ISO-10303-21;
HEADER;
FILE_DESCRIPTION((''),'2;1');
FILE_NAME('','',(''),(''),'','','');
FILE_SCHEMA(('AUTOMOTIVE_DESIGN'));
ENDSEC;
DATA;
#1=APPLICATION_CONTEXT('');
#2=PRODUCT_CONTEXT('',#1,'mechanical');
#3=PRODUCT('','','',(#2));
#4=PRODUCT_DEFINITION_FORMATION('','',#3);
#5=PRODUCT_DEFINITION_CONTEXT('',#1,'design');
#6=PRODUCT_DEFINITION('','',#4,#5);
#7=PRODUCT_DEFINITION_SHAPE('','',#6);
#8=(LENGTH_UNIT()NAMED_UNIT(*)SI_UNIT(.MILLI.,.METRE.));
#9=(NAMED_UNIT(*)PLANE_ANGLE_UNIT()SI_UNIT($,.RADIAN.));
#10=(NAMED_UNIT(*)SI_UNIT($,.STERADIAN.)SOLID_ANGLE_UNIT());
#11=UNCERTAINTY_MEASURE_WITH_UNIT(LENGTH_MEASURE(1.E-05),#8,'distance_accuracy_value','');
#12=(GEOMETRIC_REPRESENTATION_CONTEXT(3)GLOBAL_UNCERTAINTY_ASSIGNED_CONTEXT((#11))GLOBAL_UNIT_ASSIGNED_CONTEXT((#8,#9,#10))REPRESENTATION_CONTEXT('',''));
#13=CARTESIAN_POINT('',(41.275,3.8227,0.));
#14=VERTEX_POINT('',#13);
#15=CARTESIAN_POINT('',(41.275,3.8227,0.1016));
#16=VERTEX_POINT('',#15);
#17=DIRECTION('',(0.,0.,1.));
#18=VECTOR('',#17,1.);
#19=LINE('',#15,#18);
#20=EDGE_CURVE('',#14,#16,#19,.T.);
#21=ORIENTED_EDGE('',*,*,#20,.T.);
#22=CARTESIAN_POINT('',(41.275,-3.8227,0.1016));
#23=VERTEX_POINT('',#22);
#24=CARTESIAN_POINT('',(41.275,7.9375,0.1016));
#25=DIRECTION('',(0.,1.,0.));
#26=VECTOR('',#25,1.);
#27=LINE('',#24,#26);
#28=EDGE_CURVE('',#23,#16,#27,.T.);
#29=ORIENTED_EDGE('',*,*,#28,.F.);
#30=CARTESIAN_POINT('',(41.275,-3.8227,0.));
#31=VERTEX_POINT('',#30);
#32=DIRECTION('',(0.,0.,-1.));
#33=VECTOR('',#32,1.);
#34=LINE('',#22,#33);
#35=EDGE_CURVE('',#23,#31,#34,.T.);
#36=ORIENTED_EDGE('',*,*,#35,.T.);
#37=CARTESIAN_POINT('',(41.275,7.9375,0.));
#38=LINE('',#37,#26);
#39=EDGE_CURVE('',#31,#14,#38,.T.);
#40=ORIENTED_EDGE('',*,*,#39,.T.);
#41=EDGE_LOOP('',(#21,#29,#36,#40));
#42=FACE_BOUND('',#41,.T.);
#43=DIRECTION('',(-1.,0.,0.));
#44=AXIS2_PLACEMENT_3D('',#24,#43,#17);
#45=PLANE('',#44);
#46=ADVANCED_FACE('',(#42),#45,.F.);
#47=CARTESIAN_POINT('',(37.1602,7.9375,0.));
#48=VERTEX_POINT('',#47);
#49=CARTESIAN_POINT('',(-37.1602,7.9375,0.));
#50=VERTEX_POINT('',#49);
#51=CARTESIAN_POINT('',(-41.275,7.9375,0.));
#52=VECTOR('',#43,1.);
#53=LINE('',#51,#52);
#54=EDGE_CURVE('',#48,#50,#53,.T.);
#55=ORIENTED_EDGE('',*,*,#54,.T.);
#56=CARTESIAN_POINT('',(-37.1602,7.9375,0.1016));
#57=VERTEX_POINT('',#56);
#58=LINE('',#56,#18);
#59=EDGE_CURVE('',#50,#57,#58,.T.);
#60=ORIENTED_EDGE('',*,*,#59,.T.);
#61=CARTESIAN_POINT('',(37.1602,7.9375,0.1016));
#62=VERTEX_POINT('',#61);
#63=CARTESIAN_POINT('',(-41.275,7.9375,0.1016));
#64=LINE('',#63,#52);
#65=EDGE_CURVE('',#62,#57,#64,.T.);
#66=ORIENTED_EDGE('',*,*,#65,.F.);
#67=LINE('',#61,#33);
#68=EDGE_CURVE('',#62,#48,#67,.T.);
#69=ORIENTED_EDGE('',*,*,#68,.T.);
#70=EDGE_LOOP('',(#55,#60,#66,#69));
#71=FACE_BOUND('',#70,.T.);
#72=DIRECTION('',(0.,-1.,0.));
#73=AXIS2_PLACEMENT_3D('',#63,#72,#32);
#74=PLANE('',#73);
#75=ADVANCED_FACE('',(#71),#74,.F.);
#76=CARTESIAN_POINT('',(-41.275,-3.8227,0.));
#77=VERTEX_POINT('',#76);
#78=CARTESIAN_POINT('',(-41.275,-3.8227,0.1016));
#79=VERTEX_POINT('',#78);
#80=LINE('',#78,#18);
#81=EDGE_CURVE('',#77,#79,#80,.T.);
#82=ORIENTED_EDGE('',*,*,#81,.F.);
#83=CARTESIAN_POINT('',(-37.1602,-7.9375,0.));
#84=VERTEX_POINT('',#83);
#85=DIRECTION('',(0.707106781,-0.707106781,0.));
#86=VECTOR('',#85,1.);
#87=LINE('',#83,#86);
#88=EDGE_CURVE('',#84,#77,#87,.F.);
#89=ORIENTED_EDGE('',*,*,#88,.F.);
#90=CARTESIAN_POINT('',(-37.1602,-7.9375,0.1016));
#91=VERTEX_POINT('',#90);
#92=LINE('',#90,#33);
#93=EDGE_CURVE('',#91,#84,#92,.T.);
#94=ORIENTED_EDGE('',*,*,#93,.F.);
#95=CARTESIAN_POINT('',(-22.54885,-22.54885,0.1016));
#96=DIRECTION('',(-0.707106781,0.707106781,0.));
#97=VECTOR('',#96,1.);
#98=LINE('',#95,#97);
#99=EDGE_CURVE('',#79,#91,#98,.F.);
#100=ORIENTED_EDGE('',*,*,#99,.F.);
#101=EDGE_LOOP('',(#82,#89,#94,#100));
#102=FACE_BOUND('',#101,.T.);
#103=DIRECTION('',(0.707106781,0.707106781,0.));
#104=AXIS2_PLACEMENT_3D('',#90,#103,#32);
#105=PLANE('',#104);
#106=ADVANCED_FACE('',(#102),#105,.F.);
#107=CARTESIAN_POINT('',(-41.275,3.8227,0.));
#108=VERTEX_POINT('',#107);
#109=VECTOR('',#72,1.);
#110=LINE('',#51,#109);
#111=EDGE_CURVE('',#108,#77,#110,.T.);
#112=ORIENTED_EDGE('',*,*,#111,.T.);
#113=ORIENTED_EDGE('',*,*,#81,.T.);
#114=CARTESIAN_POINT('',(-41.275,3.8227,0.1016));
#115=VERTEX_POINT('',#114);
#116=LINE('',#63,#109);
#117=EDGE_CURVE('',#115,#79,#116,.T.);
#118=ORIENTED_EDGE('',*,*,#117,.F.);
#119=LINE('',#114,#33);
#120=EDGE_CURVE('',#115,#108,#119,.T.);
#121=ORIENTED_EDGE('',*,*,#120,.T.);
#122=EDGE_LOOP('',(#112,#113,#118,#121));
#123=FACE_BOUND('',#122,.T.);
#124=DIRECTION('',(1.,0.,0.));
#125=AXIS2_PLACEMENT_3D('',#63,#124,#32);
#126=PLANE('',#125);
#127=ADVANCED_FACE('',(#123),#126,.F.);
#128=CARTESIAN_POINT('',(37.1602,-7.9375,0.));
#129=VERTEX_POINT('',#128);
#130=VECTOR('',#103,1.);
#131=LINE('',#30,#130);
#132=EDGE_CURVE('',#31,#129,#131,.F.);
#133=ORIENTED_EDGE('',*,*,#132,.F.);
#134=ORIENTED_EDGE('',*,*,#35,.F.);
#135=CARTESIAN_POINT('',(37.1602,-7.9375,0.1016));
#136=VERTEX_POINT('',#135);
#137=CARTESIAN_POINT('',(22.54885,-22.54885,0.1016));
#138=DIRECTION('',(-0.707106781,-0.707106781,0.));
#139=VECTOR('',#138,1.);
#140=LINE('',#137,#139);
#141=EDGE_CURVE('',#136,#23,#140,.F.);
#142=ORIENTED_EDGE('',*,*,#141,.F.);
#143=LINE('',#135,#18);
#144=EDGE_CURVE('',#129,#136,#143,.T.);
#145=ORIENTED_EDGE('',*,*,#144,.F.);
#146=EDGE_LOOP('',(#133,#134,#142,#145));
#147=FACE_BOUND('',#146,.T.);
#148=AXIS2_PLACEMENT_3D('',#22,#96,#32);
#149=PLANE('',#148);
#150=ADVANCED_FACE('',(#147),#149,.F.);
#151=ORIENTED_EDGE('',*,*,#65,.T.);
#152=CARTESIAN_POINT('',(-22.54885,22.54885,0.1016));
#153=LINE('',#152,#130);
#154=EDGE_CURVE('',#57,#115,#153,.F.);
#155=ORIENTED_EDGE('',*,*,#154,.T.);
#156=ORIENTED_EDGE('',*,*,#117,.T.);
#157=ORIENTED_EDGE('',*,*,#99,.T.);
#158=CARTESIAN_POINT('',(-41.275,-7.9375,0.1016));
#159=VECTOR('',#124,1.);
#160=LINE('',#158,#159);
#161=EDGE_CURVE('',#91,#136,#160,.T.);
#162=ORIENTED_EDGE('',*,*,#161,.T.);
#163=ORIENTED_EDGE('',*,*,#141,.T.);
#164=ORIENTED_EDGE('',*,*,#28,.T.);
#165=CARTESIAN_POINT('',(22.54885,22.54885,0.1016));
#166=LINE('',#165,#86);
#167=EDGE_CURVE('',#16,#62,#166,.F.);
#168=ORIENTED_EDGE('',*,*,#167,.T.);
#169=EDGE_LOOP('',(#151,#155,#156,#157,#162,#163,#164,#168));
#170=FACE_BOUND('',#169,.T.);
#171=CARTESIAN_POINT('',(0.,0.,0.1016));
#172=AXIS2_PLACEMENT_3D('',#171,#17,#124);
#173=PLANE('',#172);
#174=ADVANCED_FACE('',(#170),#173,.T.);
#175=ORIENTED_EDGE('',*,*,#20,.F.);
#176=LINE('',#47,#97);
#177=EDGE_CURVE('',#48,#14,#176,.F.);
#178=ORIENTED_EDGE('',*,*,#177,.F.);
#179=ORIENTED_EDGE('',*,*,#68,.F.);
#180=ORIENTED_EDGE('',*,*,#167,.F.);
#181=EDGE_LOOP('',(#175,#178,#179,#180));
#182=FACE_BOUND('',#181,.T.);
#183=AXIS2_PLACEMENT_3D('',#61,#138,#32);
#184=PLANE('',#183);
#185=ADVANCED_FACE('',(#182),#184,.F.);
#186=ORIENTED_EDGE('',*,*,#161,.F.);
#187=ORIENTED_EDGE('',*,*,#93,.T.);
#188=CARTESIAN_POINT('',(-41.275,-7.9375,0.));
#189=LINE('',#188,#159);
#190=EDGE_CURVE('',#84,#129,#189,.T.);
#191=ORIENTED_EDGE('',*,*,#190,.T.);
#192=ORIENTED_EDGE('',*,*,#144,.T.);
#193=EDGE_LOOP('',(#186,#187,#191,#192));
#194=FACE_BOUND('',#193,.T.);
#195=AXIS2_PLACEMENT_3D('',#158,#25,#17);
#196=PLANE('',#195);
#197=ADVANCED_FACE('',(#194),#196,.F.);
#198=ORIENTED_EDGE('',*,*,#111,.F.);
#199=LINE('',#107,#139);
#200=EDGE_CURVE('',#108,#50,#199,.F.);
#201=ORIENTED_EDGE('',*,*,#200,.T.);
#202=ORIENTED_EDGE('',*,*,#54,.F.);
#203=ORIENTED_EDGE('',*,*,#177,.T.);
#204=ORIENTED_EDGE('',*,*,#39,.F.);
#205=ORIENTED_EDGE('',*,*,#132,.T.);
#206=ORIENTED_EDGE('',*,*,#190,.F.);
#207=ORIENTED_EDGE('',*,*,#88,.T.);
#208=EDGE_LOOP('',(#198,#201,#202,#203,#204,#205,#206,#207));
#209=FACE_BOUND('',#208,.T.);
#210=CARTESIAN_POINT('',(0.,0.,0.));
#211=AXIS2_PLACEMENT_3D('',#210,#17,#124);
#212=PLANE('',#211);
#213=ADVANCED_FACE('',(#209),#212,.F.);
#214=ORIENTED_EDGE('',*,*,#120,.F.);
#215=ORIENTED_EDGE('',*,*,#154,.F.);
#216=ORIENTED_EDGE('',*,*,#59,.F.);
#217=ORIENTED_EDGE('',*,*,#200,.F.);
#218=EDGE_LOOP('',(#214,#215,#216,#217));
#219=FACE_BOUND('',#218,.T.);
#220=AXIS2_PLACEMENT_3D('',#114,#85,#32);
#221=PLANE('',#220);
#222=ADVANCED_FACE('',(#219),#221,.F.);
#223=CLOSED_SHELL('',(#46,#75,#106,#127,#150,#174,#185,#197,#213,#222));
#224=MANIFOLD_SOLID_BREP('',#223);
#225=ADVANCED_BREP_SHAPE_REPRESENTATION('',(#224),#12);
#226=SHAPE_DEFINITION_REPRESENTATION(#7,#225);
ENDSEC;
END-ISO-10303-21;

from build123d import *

# Parameters (mm, degrees)
SKETCH1_W           = 82.55
SKETCH1_H           = 15.875
BOSS_EXTRUDE1_DEPTH = 0.1016
CHAMFER1_SIZE       = 4.1148


with BuildPart() as part:
    # Sketch1 → Boss-Extrude1 (new body)
    with BuildSketch(Plane.XY):
        Rectangle(SKETCH1_W, SKETCH1_H)
    extrude(amount=BOSS_EXTRUDE1_DEPTH)

    # Chamfer1
    chamfer1_edges = [part.edges().sort_by_distance(p)[0] for p in [
        (41.275, -7.9375, 0.0508),
        (-41.275, -7.9375, 0.0508),
        (-41.275, 7.9375, 0.0508),
        (41.275, 7.9375, 0.0508),
    ]]
    chamfer(chamfer1_edges, length=CHAMFER1_SIZE)


solid = part.part
